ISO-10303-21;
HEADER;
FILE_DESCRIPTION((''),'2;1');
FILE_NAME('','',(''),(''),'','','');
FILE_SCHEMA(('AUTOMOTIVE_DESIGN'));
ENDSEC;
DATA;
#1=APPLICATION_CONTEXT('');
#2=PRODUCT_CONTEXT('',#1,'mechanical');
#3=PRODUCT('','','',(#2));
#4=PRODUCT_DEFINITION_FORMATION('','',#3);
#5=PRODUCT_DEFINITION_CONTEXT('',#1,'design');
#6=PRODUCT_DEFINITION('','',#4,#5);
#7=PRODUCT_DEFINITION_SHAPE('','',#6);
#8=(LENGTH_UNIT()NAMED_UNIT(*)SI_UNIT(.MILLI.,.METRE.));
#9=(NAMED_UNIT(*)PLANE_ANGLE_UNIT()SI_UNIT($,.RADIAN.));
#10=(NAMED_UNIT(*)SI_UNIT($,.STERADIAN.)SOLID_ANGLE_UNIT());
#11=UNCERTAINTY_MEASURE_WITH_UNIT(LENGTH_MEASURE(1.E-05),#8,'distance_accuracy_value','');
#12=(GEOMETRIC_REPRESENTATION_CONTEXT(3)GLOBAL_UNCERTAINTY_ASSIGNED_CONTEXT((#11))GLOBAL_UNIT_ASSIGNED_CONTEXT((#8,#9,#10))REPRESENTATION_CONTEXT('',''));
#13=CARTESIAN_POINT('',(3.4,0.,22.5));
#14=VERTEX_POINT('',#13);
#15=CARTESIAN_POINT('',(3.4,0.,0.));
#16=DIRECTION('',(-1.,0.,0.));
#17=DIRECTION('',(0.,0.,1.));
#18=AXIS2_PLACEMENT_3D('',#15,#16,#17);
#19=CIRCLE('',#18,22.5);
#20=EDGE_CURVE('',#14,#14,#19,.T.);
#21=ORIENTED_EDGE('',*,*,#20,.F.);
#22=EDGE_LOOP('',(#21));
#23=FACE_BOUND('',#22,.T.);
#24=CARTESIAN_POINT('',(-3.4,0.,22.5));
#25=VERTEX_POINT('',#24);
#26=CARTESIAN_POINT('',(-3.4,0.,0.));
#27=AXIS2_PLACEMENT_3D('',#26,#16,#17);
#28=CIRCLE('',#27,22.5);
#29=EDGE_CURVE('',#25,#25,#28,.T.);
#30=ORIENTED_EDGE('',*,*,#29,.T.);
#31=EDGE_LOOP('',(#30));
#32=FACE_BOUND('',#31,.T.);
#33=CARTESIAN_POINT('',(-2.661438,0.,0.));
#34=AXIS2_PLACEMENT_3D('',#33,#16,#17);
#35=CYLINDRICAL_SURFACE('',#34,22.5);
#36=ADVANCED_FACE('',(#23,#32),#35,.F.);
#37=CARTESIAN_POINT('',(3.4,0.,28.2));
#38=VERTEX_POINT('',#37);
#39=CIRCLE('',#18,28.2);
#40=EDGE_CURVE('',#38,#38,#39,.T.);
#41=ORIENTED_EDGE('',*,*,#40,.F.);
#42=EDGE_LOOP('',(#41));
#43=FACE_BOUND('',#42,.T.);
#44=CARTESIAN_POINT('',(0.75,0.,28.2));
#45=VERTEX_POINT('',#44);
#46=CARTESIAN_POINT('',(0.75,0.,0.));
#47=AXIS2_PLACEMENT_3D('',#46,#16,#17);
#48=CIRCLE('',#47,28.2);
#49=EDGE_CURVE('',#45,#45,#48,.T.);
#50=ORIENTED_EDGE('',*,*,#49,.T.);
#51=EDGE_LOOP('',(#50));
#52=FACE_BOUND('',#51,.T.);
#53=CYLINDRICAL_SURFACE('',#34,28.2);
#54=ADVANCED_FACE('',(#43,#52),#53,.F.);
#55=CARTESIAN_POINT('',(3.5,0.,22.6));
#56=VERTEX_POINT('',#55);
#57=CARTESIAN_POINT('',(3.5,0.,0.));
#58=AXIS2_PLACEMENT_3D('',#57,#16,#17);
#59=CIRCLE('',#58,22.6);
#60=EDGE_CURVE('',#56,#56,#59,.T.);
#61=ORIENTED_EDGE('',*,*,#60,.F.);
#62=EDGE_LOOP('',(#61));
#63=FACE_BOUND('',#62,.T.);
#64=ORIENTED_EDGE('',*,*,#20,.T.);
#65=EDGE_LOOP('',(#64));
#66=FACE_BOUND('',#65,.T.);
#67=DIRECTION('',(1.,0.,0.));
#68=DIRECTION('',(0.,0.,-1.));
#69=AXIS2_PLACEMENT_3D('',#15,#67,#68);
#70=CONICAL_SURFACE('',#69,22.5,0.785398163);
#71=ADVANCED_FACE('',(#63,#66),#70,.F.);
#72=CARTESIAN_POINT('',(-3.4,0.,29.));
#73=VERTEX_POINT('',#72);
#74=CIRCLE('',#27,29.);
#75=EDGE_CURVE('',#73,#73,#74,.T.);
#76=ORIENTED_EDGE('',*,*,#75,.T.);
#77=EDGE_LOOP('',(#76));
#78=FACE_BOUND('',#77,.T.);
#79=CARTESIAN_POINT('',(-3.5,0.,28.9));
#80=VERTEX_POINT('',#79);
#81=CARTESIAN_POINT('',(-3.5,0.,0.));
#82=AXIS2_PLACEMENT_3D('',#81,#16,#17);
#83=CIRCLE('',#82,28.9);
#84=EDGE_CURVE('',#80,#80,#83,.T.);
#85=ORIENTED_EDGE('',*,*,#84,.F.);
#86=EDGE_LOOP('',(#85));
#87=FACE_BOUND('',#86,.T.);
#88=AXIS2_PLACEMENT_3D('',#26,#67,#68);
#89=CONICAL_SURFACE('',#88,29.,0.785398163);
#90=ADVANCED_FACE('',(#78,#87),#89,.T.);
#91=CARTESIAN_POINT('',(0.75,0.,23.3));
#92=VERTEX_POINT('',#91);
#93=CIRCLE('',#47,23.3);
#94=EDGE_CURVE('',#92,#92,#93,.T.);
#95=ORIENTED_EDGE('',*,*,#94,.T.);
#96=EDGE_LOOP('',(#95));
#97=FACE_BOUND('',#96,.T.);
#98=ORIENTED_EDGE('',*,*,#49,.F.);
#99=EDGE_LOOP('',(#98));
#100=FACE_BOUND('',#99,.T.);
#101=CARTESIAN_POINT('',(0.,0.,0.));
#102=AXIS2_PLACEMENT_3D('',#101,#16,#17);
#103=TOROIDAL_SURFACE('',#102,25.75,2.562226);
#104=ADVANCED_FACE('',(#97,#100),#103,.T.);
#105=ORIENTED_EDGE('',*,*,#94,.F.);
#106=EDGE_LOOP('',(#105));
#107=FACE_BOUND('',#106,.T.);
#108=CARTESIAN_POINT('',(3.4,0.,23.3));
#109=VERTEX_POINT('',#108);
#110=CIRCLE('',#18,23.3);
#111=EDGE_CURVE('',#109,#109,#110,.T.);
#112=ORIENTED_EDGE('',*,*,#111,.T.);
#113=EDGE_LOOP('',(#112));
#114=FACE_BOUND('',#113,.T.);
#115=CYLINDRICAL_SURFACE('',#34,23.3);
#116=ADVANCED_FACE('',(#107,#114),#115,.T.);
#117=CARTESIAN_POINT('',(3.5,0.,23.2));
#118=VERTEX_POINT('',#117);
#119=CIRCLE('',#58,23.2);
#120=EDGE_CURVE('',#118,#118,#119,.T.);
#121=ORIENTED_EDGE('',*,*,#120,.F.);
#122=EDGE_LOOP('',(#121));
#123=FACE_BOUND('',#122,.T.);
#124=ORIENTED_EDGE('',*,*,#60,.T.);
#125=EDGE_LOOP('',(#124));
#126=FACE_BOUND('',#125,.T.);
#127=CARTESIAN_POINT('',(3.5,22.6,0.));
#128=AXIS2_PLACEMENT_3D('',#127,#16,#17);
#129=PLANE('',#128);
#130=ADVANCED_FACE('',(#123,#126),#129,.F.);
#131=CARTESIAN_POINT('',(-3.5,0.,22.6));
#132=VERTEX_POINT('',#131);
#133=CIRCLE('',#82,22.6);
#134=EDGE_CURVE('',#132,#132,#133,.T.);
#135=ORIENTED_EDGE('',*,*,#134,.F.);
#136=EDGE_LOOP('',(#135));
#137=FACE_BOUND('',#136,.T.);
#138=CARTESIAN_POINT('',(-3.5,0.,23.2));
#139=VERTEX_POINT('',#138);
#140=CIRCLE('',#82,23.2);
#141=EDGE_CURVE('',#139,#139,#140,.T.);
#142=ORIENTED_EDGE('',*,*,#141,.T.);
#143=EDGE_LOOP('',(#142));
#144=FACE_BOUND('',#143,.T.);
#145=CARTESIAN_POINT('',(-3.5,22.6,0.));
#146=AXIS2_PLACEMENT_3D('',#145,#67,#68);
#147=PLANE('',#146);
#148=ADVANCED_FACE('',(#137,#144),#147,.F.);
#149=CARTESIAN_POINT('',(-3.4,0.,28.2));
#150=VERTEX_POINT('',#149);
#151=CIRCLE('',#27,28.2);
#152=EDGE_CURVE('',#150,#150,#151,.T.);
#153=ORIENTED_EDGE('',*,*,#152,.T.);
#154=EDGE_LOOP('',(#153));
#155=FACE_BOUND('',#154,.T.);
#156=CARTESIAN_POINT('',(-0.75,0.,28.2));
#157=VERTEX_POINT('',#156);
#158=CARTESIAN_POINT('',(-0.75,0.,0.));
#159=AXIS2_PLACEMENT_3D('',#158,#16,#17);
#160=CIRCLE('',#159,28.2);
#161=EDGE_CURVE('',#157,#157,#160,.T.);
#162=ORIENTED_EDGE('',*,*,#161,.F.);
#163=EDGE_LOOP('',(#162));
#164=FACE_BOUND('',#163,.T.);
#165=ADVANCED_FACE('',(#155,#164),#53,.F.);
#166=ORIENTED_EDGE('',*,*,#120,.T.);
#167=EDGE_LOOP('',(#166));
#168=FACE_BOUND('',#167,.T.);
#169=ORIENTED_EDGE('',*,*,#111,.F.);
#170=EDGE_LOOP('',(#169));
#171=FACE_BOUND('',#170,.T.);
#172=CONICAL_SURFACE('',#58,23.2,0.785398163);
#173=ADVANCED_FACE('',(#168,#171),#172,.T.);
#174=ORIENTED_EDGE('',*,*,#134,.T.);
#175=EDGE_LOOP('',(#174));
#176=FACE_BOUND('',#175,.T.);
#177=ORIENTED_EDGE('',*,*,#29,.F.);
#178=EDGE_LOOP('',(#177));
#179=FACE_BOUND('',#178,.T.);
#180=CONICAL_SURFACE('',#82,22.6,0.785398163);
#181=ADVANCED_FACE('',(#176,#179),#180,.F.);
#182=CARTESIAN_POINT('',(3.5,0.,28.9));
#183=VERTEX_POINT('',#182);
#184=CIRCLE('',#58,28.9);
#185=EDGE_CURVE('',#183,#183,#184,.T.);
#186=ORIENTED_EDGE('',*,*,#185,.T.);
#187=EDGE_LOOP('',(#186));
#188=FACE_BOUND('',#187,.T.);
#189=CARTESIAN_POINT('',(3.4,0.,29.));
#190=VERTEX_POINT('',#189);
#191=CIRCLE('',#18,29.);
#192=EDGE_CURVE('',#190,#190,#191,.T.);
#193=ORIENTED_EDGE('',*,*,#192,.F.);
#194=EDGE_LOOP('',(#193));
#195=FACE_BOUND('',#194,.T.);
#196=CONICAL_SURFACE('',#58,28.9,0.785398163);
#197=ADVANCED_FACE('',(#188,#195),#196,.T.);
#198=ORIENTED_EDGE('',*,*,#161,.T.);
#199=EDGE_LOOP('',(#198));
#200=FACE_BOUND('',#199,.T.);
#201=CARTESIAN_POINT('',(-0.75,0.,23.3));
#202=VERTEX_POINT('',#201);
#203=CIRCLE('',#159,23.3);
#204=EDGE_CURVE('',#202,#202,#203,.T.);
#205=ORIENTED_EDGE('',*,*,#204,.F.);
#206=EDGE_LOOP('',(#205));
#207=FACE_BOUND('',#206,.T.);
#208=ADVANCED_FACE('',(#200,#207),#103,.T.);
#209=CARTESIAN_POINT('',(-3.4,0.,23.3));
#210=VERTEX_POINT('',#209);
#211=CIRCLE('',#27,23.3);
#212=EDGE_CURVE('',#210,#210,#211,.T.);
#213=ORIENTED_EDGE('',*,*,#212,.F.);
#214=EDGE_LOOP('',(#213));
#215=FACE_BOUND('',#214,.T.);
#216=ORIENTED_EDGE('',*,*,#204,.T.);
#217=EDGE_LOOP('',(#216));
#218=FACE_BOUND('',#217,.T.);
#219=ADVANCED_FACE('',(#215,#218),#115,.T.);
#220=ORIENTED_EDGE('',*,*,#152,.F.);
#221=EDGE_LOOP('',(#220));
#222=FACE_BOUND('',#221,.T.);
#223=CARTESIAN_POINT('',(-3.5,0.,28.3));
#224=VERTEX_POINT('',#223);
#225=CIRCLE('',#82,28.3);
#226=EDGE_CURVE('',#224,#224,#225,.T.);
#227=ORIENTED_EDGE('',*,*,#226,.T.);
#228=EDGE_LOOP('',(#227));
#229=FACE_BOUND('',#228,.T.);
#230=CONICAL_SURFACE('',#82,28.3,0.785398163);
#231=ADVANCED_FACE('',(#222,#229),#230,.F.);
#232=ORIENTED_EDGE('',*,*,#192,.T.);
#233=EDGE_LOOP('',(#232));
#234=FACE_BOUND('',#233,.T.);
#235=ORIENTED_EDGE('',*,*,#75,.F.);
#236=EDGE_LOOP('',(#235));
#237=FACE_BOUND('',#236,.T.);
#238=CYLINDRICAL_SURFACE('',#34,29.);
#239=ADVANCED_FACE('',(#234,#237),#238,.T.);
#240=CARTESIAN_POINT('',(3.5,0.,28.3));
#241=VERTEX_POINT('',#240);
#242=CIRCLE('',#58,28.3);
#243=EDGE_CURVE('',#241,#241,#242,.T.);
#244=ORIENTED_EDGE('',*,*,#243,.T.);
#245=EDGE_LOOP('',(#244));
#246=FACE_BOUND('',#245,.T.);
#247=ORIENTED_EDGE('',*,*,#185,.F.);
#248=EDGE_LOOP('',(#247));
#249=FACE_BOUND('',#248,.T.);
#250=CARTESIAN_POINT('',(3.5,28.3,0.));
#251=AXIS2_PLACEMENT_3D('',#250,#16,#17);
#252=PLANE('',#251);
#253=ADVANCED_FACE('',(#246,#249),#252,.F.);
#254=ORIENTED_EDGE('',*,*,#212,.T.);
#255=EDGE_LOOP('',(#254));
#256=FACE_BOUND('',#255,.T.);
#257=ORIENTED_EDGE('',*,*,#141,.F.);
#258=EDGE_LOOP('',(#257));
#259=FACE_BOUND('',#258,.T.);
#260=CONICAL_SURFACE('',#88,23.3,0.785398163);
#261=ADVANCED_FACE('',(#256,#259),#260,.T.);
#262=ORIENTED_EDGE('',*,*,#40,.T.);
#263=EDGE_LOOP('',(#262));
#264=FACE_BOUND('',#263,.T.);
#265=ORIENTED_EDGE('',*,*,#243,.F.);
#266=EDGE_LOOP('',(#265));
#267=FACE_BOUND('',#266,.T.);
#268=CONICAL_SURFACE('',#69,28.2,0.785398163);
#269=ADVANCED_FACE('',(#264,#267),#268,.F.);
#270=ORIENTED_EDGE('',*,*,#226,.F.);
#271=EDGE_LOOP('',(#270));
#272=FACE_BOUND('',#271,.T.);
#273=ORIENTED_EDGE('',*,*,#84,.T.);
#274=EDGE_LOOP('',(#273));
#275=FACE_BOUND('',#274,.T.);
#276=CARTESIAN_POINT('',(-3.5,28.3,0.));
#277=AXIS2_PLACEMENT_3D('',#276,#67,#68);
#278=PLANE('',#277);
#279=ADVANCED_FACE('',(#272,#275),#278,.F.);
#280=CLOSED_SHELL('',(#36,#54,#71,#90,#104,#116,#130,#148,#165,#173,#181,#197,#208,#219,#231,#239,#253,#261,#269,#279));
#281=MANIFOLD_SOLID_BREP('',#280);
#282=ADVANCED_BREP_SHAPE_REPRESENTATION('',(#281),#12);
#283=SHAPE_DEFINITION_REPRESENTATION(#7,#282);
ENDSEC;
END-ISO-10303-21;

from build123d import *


with BuildPart() as part:
    # Esquisse1 → Révolution1 (revolve)
    with BuildSketch(Plane.XY, mode=Mode.PRIVATE) as r_volution1_sk:
        with BuildLine():
            Line((-3.5, 28.9), (-3.4, 29))
            Line((-3.4, 29), (3.4, 29))
            Line((3.4, 29), (3.5, 28.9))
            Line((3.5, 28.9), (3.5, 28.3))
            Line((3.5, 28.3), (3.4, 28.2))
            Line((3.4, 28.2), (0.75, 28.2))
            ThreePointArc((0.75, 28.2), (2.562225595, 25.75), (0.75, 23.3))
            Line((0.75, 23.3), (3.4, 23.3))
            Line((3.4, 23.3), (3.5, 23.2))
            Line((3.5, 23.2), (3.5, 22.6))
            Line((3.5, 22.6), (3.4, 22.5))
            Line((3.4, 22.5), (-3.4, 22.5))
            Line((-3.4, 22.5), (-3.5, 22.6))
            Line((-3.5, 22.6), (-3.5, 23.2))
            Line((-3.5, 23.2), (-3.4, 23.3))
            Line((-3.4, 23.3), (-0.75, 23.3))
            ThreePointArc((-0.75, 23.3), (-2.562225595, 25.75), (-0.75, 28.2))
            Line((-0.75, 28.2), (-3.4, 28.2))
            Line((-3.4, 28.2), (-3.5, 28.3))
            Line((-3.5, 28.3), (-3.5, 28.9))
        make_face()
    revolve(r_volution1_sk.sketch.rotate(Axis((-2.661437812, 0, 0), (1, 0, 0)), 90), axis=Axis((-2.661437812, 0, 0), (1, 0, 0)))


solid = part.part
